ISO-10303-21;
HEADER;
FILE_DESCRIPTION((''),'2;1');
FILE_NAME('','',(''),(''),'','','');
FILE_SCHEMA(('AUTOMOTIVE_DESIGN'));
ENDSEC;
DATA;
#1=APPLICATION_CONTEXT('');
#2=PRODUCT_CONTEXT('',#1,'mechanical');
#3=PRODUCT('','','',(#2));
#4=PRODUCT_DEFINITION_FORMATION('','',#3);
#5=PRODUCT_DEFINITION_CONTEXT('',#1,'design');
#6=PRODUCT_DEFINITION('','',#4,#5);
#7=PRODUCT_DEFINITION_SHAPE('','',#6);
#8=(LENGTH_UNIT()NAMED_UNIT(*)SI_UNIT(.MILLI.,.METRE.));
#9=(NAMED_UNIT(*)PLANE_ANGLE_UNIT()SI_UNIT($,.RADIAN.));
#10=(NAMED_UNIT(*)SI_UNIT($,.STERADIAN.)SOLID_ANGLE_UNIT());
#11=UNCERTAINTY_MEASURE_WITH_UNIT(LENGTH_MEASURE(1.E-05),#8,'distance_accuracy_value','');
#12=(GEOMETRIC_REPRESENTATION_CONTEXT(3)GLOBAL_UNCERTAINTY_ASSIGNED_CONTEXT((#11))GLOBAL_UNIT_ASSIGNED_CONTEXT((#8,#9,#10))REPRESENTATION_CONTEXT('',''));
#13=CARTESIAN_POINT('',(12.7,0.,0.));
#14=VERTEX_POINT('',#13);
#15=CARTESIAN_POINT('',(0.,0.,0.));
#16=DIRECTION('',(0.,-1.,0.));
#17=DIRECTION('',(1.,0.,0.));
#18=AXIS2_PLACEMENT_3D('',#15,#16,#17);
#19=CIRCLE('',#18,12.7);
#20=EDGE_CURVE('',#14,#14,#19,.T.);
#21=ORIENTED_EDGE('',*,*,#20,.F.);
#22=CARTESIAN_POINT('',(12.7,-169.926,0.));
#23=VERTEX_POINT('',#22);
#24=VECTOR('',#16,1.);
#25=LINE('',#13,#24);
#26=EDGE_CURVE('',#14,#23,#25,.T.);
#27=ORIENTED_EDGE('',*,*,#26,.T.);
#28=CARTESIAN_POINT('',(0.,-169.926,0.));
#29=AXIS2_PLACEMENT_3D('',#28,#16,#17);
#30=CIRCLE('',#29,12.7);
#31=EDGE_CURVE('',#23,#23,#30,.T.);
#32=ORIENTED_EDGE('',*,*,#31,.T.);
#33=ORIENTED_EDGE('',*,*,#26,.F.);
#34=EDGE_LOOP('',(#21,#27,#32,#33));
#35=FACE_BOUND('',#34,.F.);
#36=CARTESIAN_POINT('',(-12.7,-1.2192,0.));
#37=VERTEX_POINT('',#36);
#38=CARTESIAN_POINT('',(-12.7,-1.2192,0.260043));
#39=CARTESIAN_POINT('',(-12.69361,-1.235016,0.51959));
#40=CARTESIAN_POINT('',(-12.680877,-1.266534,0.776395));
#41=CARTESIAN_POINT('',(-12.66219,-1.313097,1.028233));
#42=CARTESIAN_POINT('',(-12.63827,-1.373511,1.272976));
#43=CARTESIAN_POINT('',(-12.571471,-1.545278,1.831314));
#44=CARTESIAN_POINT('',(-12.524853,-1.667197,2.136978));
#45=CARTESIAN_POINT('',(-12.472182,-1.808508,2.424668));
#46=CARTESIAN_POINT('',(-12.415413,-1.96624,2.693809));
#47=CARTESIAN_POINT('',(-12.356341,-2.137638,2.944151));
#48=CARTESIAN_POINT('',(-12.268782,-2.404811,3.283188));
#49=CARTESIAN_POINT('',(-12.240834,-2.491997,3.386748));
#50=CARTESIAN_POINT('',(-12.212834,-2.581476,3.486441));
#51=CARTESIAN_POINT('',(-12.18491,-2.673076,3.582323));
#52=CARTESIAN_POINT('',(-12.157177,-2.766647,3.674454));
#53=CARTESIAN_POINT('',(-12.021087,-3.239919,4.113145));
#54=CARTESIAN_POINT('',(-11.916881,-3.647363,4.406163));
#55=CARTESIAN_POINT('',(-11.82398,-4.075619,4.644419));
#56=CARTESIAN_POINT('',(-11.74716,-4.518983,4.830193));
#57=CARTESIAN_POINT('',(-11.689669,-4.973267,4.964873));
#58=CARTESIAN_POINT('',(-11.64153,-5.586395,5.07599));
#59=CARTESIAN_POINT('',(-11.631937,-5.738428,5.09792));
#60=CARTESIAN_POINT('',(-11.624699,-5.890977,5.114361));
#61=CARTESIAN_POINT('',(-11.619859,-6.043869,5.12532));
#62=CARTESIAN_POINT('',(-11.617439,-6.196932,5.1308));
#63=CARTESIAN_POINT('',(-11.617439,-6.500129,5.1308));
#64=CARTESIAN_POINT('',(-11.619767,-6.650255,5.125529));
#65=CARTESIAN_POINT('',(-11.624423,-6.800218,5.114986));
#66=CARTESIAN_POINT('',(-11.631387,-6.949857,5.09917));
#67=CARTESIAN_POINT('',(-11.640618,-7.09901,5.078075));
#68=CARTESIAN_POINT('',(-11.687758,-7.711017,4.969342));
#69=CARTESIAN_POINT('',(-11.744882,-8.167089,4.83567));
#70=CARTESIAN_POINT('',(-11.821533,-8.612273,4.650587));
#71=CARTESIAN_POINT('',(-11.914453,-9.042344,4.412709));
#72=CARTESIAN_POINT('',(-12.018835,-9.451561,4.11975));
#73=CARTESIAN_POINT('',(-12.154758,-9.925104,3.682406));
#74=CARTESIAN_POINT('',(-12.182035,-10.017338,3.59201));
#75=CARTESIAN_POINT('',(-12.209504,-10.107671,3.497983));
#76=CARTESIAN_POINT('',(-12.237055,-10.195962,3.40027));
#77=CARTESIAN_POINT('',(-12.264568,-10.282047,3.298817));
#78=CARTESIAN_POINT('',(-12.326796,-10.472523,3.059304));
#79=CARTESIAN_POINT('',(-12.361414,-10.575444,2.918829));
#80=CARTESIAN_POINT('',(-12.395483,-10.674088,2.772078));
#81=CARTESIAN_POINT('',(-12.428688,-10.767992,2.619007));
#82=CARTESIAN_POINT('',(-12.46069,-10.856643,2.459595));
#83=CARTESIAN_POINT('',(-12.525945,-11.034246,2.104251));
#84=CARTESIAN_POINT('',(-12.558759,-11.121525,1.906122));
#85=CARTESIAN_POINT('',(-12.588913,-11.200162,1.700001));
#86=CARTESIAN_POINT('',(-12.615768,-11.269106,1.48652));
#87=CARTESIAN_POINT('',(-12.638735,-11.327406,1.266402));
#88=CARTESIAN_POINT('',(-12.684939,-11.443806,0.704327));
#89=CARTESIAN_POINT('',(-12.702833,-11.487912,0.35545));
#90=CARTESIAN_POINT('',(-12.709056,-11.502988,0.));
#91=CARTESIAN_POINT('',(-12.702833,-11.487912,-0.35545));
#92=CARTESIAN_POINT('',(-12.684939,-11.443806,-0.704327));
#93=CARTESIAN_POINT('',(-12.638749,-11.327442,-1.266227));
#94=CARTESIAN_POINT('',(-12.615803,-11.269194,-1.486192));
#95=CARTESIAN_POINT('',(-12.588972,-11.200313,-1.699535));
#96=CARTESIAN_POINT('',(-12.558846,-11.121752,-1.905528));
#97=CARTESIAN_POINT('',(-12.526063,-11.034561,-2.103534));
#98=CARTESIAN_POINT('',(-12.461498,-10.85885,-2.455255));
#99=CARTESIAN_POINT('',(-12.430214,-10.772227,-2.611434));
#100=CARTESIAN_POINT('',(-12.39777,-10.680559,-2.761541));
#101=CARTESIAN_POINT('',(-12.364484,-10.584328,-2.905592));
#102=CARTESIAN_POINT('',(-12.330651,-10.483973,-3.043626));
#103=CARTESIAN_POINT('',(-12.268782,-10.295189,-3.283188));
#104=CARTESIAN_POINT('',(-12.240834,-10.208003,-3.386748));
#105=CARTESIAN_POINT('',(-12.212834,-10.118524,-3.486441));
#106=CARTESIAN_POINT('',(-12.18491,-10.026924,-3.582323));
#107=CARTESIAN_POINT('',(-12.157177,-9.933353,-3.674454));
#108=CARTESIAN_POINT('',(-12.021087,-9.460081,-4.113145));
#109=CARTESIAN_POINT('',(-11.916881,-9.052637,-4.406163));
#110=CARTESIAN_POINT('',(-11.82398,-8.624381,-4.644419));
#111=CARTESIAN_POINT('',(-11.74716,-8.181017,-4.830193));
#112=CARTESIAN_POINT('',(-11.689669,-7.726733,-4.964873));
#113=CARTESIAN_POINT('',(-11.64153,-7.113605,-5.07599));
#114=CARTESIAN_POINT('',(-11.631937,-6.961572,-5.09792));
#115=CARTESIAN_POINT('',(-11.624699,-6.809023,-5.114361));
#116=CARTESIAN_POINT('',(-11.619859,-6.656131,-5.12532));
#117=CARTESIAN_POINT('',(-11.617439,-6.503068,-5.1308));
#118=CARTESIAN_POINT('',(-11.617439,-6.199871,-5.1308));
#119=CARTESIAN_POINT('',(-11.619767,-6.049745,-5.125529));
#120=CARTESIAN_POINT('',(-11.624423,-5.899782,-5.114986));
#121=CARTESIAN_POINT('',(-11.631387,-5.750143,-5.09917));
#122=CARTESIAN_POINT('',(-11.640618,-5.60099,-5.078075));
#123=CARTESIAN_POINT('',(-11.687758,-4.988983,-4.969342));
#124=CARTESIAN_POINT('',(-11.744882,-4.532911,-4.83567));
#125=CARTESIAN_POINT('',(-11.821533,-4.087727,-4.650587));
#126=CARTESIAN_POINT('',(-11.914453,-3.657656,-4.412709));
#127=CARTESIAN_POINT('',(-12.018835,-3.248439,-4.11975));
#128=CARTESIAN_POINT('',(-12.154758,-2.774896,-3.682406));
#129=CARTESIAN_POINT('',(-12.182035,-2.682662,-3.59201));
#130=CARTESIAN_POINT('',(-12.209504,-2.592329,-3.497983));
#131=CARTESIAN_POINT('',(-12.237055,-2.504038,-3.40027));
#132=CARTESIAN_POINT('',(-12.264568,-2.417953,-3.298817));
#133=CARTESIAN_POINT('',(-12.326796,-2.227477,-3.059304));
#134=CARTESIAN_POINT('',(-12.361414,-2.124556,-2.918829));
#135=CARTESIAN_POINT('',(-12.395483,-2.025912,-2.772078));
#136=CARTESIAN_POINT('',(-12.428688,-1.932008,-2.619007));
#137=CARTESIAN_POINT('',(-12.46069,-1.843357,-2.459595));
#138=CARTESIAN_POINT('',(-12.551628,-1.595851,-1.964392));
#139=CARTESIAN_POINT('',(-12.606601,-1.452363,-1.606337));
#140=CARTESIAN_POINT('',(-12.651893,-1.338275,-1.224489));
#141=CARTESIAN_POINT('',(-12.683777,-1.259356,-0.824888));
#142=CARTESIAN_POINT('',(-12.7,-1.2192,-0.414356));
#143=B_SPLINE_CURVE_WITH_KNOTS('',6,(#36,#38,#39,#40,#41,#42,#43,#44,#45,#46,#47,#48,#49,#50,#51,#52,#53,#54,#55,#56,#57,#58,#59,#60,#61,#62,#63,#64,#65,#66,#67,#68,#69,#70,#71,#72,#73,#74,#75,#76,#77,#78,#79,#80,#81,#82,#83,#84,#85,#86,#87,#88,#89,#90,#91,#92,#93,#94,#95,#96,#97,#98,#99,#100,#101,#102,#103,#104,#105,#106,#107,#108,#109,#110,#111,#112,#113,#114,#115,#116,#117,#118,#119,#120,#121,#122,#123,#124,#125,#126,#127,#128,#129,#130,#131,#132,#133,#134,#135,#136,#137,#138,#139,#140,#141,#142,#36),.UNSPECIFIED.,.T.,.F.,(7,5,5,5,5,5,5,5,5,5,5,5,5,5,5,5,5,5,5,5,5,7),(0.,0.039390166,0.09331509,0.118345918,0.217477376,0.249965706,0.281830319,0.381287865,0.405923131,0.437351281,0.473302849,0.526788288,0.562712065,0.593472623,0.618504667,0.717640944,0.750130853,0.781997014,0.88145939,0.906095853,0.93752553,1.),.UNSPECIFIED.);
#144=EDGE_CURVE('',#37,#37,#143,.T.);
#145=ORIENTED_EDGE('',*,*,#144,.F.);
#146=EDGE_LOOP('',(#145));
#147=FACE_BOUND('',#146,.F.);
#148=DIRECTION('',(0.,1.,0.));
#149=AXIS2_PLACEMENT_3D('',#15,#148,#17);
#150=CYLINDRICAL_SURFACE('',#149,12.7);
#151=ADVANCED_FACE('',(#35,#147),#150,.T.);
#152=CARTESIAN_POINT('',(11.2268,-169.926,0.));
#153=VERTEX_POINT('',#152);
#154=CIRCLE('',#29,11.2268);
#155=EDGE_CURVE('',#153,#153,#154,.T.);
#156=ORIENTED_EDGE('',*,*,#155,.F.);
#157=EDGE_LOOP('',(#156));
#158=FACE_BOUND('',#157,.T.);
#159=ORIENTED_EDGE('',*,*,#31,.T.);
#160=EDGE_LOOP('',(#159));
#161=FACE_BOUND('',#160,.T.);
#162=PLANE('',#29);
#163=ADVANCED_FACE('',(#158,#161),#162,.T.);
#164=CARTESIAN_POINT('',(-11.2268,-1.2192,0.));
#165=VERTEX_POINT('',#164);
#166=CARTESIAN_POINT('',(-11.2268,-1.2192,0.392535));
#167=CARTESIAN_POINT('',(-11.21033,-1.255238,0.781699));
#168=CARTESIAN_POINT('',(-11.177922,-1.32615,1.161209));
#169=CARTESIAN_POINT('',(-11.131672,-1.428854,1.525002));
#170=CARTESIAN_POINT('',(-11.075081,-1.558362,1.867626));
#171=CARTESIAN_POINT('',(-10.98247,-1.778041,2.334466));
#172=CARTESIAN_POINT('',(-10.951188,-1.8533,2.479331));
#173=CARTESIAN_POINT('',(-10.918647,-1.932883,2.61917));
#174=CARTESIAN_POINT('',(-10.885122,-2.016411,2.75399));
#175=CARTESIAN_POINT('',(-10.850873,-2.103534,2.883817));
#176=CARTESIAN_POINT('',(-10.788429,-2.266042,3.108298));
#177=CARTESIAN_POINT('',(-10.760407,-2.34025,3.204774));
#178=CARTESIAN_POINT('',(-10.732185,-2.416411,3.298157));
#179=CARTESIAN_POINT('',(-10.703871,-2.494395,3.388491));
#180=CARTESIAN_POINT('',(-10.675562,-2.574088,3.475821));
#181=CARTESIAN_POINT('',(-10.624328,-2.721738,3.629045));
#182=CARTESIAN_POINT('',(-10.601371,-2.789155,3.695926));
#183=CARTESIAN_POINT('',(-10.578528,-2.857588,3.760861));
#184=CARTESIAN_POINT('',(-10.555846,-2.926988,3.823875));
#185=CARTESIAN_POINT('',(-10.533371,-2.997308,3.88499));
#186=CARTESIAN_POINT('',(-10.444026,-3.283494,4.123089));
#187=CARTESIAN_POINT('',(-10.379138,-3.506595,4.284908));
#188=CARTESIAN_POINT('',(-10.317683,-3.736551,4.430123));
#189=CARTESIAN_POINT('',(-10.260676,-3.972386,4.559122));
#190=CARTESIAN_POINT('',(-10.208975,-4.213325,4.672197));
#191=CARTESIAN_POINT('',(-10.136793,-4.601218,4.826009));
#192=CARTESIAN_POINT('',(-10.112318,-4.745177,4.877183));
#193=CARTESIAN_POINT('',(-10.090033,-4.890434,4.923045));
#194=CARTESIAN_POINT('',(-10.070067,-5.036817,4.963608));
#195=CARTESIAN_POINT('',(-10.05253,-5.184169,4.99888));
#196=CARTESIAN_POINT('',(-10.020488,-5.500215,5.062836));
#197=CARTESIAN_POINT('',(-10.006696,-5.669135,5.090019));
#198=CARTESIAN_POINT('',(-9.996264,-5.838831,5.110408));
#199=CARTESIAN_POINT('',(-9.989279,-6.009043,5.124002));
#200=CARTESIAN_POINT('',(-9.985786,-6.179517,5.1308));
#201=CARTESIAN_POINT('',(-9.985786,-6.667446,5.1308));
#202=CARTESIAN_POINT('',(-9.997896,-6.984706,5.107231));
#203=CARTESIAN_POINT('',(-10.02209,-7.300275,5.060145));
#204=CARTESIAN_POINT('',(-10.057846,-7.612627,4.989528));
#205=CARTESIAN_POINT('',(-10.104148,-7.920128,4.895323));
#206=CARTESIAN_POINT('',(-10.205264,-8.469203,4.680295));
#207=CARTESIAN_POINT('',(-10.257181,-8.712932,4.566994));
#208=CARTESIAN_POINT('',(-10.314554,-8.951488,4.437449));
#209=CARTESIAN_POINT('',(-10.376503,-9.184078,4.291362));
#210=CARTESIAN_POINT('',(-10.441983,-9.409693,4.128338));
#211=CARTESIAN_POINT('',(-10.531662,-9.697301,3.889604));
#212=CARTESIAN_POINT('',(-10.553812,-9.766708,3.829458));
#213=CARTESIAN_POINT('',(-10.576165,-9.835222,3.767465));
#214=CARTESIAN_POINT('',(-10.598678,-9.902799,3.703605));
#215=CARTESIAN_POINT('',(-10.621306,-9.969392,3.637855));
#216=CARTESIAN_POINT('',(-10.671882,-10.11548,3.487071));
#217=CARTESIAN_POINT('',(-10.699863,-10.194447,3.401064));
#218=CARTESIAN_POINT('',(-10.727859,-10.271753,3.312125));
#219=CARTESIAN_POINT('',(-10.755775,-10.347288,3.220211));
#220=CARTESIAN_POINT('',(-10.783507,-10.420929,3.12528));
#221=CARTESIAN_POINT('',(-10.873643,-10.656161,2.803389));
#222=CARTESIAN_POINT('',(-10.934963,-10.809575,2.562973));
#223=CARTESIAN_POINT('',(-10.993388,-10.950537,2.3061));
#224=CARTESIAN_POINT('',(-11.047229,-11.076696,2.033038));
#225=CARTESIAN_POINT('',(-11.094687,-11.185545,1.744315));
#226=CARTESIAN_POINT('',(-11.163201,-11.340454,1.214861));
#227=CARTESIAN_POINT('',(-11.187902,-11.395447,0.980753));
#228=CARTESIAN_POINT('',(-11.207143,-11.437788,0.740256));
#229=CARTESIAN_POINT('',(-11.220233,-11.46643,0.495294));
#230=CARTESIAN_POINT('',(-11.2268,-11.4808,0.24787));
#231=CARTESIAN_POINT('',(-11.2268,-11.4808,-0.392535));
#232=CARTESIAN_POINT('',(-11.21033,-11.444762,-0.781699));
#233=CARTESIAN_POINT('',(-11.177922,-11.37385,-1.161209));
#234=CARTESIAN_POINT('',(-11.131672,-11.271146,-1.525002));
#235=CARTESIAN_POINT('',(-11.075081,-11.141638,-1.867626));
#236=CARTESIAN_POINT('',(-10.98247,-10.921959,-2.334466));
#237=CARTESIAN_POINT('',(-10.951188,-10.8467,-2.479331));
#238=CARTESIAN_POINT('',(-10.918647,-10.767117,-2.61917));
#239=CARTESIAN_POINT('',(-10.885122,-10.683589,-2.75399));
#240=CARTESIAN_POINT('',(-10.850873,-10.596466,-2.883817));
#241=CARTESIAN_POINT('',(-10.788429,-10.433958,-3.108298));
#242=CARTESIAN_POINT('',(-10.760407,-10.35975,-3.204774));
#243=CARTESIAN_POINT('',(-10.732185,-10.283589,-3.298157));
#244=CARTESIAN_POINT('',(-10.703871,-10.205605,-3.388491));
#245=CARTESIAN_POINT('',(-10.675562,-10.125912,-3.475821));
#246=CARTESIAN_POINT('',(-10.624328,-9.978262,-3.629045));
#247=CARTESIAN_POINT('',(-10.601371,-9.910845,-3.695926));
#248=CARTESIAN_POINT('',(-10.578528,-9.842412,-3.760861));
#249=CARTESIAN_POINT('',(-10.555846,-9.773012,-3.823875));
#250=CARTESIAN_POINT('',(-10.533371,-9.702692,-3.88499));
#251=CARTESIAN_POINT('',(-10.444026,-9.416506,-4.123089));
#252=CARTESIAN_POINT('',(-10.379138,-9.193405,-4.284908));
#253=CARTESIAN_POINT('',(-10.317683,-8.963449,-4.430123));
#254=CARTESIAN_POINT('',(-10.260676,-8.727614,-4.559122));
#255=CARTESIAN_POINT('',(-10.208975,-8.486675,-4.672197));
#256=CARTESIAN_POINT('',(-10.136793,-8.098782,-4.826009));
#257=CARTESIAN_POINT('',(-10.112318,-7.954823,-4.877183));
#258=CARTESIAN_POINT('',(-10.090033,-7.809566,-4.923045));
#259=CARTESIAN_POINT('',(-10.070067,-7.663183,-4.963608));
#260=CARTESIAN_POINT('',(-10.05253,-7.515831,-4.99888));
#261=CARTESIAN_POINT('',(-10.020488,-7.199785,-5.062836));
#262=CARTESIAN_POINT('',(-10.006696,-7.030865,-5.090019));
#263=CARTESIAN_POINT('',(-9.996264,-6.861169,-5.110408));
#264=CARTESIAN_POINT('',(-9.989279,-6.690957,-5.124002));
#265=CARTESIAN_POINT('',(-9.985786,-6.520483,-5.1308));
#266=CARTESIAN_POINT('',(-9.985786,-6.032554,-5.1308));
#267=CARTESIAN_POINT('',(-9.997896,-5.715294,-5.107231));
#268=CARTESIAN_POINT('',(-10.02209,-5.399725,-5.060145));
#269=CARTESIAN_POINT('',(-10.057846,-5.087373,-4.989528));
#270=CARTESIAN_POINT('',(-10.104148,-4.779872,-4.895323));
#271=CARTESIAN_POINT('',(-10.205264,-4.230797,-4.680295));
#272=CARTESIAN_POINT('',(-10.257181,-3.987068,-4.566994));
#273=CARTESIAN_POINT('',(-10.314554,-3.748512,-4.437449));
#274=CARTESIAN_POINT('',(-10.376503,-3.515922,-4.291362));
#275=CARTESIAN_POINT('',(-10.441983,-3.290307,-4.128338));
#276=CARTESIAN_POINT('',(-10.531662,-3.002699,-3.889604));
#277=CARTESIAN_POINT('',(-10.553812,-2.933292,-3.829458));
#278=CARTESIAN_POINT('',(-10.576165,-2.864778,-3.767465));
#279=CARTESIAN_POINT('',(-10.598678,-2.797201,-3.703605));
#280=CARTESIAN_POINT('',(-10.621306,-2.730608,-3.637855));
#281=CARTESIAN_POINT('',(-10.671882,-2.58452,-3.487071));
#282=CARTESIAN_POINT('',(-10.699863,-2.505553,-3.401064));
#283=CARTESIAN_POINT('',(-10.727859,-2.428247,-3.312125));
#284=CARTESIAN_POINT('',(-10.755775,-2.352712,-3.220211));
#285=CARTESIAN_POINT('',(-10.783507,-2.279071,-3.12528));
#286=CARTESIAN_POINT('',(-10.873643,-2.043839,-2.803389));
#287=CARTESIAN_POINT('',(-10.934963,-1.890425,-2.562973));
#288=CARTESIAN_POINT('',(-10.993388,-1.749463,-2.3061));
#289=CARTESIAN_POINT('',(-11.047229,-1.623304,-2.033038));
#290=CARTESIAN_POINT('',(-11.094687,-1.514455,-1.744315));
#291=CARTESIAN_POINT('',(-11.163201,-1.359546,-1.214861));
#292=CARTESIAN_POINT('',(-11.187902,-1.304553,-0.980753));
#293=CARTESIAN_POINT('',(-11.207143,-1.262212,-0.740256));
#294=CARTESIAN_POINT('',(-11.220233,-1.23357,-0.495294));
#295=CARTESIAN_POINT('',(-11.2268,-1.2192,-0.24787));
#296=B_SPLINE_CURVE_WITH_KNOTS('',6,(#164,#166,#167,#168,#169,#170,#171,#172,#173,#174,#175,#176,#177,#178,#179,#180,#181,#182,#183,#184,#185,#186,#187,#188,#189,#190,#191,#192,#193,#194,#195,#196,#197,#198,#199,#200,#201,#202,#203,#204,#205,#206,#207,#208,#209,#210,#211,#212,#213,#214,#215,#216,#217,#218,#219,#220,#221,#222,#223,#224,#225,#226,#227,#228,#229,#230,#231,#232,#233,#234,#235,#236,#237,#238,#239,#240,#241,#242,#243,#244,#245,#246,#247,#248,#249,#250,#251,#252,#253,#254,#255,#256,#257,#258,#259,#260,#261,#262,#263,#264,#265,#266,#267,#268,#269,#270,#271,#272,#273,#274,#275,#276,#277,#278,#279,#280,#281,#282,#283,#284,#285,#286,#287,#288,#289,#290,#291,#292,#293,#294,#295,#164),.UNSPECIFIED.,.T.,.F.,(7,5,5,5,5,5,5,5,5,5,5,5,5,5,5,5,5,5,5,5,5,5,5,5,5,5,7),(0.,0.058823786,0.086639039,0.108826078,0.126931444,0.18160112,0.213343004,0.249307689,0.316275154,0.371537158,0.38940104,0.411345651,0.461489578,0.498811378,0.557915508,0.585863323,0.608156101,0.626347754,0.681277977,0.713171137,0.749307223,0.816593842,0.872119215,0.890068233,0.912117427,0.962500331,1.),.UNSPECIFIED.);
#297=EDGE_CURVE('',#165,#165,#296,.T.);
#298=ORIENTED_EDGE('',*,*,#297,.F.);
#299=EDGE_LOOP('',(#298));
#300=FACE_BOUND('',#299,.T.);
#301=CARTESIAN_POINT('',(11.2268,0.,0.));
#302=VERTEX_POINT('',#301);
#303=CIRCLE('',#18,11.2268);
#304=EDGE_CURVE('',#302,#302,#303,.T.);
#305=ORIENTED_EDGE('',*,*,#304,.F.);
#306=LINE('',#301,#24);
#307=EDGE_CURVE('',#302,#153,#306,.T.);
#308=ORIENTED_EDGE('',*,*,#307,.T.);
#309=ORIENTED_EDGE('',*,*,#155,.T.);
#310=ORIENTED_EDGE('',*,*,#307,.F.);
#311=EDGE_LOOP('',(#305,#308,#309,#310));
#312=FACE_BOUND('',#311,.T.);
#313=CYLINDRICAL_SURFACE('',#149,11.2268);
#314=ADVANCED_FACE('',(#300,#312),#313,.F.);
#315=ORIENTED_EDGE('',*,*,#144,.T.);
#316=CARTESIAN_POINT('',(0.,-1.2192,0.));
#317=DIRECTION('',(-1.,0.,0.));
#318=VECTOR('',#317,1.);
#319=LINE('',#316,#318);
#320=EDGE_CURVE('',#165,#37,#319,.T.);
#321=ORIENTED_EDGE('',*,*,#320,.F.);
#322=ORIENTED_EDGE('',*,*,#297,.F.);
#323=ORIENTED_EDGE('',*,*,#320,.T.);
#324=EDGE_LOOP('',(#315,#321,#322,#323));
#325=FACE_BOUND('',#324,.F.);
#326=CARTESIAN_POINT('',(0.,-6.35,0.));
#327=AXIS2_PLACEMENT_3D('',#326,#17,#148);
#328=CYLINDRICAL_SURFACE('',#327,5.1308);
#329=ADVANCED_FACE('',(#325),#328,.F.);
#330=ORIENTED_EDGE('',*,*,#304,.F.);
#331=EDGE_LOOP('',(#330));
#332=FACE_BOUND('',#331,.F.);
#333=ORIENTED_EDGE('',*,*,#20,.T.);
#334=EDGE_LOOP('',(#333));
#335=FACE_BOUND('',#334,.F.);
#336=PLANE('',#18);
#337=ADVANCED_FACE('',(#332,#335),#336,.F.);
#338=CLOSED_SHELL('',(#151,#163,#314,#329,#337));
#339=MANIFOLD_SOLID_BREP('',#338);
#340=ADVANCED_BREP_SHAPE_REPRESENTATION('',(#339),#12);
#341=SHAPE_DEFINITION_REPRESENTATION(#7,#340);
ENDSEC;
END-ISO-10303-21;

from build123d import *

# Parameters (mm, degrees)
F0_R     = 12.7
F0_R_2   = 11.2268
F1_DEPTH = 169.926
F2_R     = 5.1308
F3_DEPTH = 12.701


with BuildPart() as f1:
    # F0 (on Front) → F1 (new body)
    with BuildSketch(Plane.XZ):
        Circle(F0_R)
        Circle(F0_R_2, mode=Mode.SUBTRACT)
    extrude(amount=F1_DEPTH)

    # F2 (on Right) → F3 (cut, through all)
    with BuildSketch(Plane.YZ):
        with Locations((-6.35, 0)):
            Circle(F2_R)
    extrude(amount=-F3_DEPTH, mode=Mode.SUBTRACT)


solid = f1.part
